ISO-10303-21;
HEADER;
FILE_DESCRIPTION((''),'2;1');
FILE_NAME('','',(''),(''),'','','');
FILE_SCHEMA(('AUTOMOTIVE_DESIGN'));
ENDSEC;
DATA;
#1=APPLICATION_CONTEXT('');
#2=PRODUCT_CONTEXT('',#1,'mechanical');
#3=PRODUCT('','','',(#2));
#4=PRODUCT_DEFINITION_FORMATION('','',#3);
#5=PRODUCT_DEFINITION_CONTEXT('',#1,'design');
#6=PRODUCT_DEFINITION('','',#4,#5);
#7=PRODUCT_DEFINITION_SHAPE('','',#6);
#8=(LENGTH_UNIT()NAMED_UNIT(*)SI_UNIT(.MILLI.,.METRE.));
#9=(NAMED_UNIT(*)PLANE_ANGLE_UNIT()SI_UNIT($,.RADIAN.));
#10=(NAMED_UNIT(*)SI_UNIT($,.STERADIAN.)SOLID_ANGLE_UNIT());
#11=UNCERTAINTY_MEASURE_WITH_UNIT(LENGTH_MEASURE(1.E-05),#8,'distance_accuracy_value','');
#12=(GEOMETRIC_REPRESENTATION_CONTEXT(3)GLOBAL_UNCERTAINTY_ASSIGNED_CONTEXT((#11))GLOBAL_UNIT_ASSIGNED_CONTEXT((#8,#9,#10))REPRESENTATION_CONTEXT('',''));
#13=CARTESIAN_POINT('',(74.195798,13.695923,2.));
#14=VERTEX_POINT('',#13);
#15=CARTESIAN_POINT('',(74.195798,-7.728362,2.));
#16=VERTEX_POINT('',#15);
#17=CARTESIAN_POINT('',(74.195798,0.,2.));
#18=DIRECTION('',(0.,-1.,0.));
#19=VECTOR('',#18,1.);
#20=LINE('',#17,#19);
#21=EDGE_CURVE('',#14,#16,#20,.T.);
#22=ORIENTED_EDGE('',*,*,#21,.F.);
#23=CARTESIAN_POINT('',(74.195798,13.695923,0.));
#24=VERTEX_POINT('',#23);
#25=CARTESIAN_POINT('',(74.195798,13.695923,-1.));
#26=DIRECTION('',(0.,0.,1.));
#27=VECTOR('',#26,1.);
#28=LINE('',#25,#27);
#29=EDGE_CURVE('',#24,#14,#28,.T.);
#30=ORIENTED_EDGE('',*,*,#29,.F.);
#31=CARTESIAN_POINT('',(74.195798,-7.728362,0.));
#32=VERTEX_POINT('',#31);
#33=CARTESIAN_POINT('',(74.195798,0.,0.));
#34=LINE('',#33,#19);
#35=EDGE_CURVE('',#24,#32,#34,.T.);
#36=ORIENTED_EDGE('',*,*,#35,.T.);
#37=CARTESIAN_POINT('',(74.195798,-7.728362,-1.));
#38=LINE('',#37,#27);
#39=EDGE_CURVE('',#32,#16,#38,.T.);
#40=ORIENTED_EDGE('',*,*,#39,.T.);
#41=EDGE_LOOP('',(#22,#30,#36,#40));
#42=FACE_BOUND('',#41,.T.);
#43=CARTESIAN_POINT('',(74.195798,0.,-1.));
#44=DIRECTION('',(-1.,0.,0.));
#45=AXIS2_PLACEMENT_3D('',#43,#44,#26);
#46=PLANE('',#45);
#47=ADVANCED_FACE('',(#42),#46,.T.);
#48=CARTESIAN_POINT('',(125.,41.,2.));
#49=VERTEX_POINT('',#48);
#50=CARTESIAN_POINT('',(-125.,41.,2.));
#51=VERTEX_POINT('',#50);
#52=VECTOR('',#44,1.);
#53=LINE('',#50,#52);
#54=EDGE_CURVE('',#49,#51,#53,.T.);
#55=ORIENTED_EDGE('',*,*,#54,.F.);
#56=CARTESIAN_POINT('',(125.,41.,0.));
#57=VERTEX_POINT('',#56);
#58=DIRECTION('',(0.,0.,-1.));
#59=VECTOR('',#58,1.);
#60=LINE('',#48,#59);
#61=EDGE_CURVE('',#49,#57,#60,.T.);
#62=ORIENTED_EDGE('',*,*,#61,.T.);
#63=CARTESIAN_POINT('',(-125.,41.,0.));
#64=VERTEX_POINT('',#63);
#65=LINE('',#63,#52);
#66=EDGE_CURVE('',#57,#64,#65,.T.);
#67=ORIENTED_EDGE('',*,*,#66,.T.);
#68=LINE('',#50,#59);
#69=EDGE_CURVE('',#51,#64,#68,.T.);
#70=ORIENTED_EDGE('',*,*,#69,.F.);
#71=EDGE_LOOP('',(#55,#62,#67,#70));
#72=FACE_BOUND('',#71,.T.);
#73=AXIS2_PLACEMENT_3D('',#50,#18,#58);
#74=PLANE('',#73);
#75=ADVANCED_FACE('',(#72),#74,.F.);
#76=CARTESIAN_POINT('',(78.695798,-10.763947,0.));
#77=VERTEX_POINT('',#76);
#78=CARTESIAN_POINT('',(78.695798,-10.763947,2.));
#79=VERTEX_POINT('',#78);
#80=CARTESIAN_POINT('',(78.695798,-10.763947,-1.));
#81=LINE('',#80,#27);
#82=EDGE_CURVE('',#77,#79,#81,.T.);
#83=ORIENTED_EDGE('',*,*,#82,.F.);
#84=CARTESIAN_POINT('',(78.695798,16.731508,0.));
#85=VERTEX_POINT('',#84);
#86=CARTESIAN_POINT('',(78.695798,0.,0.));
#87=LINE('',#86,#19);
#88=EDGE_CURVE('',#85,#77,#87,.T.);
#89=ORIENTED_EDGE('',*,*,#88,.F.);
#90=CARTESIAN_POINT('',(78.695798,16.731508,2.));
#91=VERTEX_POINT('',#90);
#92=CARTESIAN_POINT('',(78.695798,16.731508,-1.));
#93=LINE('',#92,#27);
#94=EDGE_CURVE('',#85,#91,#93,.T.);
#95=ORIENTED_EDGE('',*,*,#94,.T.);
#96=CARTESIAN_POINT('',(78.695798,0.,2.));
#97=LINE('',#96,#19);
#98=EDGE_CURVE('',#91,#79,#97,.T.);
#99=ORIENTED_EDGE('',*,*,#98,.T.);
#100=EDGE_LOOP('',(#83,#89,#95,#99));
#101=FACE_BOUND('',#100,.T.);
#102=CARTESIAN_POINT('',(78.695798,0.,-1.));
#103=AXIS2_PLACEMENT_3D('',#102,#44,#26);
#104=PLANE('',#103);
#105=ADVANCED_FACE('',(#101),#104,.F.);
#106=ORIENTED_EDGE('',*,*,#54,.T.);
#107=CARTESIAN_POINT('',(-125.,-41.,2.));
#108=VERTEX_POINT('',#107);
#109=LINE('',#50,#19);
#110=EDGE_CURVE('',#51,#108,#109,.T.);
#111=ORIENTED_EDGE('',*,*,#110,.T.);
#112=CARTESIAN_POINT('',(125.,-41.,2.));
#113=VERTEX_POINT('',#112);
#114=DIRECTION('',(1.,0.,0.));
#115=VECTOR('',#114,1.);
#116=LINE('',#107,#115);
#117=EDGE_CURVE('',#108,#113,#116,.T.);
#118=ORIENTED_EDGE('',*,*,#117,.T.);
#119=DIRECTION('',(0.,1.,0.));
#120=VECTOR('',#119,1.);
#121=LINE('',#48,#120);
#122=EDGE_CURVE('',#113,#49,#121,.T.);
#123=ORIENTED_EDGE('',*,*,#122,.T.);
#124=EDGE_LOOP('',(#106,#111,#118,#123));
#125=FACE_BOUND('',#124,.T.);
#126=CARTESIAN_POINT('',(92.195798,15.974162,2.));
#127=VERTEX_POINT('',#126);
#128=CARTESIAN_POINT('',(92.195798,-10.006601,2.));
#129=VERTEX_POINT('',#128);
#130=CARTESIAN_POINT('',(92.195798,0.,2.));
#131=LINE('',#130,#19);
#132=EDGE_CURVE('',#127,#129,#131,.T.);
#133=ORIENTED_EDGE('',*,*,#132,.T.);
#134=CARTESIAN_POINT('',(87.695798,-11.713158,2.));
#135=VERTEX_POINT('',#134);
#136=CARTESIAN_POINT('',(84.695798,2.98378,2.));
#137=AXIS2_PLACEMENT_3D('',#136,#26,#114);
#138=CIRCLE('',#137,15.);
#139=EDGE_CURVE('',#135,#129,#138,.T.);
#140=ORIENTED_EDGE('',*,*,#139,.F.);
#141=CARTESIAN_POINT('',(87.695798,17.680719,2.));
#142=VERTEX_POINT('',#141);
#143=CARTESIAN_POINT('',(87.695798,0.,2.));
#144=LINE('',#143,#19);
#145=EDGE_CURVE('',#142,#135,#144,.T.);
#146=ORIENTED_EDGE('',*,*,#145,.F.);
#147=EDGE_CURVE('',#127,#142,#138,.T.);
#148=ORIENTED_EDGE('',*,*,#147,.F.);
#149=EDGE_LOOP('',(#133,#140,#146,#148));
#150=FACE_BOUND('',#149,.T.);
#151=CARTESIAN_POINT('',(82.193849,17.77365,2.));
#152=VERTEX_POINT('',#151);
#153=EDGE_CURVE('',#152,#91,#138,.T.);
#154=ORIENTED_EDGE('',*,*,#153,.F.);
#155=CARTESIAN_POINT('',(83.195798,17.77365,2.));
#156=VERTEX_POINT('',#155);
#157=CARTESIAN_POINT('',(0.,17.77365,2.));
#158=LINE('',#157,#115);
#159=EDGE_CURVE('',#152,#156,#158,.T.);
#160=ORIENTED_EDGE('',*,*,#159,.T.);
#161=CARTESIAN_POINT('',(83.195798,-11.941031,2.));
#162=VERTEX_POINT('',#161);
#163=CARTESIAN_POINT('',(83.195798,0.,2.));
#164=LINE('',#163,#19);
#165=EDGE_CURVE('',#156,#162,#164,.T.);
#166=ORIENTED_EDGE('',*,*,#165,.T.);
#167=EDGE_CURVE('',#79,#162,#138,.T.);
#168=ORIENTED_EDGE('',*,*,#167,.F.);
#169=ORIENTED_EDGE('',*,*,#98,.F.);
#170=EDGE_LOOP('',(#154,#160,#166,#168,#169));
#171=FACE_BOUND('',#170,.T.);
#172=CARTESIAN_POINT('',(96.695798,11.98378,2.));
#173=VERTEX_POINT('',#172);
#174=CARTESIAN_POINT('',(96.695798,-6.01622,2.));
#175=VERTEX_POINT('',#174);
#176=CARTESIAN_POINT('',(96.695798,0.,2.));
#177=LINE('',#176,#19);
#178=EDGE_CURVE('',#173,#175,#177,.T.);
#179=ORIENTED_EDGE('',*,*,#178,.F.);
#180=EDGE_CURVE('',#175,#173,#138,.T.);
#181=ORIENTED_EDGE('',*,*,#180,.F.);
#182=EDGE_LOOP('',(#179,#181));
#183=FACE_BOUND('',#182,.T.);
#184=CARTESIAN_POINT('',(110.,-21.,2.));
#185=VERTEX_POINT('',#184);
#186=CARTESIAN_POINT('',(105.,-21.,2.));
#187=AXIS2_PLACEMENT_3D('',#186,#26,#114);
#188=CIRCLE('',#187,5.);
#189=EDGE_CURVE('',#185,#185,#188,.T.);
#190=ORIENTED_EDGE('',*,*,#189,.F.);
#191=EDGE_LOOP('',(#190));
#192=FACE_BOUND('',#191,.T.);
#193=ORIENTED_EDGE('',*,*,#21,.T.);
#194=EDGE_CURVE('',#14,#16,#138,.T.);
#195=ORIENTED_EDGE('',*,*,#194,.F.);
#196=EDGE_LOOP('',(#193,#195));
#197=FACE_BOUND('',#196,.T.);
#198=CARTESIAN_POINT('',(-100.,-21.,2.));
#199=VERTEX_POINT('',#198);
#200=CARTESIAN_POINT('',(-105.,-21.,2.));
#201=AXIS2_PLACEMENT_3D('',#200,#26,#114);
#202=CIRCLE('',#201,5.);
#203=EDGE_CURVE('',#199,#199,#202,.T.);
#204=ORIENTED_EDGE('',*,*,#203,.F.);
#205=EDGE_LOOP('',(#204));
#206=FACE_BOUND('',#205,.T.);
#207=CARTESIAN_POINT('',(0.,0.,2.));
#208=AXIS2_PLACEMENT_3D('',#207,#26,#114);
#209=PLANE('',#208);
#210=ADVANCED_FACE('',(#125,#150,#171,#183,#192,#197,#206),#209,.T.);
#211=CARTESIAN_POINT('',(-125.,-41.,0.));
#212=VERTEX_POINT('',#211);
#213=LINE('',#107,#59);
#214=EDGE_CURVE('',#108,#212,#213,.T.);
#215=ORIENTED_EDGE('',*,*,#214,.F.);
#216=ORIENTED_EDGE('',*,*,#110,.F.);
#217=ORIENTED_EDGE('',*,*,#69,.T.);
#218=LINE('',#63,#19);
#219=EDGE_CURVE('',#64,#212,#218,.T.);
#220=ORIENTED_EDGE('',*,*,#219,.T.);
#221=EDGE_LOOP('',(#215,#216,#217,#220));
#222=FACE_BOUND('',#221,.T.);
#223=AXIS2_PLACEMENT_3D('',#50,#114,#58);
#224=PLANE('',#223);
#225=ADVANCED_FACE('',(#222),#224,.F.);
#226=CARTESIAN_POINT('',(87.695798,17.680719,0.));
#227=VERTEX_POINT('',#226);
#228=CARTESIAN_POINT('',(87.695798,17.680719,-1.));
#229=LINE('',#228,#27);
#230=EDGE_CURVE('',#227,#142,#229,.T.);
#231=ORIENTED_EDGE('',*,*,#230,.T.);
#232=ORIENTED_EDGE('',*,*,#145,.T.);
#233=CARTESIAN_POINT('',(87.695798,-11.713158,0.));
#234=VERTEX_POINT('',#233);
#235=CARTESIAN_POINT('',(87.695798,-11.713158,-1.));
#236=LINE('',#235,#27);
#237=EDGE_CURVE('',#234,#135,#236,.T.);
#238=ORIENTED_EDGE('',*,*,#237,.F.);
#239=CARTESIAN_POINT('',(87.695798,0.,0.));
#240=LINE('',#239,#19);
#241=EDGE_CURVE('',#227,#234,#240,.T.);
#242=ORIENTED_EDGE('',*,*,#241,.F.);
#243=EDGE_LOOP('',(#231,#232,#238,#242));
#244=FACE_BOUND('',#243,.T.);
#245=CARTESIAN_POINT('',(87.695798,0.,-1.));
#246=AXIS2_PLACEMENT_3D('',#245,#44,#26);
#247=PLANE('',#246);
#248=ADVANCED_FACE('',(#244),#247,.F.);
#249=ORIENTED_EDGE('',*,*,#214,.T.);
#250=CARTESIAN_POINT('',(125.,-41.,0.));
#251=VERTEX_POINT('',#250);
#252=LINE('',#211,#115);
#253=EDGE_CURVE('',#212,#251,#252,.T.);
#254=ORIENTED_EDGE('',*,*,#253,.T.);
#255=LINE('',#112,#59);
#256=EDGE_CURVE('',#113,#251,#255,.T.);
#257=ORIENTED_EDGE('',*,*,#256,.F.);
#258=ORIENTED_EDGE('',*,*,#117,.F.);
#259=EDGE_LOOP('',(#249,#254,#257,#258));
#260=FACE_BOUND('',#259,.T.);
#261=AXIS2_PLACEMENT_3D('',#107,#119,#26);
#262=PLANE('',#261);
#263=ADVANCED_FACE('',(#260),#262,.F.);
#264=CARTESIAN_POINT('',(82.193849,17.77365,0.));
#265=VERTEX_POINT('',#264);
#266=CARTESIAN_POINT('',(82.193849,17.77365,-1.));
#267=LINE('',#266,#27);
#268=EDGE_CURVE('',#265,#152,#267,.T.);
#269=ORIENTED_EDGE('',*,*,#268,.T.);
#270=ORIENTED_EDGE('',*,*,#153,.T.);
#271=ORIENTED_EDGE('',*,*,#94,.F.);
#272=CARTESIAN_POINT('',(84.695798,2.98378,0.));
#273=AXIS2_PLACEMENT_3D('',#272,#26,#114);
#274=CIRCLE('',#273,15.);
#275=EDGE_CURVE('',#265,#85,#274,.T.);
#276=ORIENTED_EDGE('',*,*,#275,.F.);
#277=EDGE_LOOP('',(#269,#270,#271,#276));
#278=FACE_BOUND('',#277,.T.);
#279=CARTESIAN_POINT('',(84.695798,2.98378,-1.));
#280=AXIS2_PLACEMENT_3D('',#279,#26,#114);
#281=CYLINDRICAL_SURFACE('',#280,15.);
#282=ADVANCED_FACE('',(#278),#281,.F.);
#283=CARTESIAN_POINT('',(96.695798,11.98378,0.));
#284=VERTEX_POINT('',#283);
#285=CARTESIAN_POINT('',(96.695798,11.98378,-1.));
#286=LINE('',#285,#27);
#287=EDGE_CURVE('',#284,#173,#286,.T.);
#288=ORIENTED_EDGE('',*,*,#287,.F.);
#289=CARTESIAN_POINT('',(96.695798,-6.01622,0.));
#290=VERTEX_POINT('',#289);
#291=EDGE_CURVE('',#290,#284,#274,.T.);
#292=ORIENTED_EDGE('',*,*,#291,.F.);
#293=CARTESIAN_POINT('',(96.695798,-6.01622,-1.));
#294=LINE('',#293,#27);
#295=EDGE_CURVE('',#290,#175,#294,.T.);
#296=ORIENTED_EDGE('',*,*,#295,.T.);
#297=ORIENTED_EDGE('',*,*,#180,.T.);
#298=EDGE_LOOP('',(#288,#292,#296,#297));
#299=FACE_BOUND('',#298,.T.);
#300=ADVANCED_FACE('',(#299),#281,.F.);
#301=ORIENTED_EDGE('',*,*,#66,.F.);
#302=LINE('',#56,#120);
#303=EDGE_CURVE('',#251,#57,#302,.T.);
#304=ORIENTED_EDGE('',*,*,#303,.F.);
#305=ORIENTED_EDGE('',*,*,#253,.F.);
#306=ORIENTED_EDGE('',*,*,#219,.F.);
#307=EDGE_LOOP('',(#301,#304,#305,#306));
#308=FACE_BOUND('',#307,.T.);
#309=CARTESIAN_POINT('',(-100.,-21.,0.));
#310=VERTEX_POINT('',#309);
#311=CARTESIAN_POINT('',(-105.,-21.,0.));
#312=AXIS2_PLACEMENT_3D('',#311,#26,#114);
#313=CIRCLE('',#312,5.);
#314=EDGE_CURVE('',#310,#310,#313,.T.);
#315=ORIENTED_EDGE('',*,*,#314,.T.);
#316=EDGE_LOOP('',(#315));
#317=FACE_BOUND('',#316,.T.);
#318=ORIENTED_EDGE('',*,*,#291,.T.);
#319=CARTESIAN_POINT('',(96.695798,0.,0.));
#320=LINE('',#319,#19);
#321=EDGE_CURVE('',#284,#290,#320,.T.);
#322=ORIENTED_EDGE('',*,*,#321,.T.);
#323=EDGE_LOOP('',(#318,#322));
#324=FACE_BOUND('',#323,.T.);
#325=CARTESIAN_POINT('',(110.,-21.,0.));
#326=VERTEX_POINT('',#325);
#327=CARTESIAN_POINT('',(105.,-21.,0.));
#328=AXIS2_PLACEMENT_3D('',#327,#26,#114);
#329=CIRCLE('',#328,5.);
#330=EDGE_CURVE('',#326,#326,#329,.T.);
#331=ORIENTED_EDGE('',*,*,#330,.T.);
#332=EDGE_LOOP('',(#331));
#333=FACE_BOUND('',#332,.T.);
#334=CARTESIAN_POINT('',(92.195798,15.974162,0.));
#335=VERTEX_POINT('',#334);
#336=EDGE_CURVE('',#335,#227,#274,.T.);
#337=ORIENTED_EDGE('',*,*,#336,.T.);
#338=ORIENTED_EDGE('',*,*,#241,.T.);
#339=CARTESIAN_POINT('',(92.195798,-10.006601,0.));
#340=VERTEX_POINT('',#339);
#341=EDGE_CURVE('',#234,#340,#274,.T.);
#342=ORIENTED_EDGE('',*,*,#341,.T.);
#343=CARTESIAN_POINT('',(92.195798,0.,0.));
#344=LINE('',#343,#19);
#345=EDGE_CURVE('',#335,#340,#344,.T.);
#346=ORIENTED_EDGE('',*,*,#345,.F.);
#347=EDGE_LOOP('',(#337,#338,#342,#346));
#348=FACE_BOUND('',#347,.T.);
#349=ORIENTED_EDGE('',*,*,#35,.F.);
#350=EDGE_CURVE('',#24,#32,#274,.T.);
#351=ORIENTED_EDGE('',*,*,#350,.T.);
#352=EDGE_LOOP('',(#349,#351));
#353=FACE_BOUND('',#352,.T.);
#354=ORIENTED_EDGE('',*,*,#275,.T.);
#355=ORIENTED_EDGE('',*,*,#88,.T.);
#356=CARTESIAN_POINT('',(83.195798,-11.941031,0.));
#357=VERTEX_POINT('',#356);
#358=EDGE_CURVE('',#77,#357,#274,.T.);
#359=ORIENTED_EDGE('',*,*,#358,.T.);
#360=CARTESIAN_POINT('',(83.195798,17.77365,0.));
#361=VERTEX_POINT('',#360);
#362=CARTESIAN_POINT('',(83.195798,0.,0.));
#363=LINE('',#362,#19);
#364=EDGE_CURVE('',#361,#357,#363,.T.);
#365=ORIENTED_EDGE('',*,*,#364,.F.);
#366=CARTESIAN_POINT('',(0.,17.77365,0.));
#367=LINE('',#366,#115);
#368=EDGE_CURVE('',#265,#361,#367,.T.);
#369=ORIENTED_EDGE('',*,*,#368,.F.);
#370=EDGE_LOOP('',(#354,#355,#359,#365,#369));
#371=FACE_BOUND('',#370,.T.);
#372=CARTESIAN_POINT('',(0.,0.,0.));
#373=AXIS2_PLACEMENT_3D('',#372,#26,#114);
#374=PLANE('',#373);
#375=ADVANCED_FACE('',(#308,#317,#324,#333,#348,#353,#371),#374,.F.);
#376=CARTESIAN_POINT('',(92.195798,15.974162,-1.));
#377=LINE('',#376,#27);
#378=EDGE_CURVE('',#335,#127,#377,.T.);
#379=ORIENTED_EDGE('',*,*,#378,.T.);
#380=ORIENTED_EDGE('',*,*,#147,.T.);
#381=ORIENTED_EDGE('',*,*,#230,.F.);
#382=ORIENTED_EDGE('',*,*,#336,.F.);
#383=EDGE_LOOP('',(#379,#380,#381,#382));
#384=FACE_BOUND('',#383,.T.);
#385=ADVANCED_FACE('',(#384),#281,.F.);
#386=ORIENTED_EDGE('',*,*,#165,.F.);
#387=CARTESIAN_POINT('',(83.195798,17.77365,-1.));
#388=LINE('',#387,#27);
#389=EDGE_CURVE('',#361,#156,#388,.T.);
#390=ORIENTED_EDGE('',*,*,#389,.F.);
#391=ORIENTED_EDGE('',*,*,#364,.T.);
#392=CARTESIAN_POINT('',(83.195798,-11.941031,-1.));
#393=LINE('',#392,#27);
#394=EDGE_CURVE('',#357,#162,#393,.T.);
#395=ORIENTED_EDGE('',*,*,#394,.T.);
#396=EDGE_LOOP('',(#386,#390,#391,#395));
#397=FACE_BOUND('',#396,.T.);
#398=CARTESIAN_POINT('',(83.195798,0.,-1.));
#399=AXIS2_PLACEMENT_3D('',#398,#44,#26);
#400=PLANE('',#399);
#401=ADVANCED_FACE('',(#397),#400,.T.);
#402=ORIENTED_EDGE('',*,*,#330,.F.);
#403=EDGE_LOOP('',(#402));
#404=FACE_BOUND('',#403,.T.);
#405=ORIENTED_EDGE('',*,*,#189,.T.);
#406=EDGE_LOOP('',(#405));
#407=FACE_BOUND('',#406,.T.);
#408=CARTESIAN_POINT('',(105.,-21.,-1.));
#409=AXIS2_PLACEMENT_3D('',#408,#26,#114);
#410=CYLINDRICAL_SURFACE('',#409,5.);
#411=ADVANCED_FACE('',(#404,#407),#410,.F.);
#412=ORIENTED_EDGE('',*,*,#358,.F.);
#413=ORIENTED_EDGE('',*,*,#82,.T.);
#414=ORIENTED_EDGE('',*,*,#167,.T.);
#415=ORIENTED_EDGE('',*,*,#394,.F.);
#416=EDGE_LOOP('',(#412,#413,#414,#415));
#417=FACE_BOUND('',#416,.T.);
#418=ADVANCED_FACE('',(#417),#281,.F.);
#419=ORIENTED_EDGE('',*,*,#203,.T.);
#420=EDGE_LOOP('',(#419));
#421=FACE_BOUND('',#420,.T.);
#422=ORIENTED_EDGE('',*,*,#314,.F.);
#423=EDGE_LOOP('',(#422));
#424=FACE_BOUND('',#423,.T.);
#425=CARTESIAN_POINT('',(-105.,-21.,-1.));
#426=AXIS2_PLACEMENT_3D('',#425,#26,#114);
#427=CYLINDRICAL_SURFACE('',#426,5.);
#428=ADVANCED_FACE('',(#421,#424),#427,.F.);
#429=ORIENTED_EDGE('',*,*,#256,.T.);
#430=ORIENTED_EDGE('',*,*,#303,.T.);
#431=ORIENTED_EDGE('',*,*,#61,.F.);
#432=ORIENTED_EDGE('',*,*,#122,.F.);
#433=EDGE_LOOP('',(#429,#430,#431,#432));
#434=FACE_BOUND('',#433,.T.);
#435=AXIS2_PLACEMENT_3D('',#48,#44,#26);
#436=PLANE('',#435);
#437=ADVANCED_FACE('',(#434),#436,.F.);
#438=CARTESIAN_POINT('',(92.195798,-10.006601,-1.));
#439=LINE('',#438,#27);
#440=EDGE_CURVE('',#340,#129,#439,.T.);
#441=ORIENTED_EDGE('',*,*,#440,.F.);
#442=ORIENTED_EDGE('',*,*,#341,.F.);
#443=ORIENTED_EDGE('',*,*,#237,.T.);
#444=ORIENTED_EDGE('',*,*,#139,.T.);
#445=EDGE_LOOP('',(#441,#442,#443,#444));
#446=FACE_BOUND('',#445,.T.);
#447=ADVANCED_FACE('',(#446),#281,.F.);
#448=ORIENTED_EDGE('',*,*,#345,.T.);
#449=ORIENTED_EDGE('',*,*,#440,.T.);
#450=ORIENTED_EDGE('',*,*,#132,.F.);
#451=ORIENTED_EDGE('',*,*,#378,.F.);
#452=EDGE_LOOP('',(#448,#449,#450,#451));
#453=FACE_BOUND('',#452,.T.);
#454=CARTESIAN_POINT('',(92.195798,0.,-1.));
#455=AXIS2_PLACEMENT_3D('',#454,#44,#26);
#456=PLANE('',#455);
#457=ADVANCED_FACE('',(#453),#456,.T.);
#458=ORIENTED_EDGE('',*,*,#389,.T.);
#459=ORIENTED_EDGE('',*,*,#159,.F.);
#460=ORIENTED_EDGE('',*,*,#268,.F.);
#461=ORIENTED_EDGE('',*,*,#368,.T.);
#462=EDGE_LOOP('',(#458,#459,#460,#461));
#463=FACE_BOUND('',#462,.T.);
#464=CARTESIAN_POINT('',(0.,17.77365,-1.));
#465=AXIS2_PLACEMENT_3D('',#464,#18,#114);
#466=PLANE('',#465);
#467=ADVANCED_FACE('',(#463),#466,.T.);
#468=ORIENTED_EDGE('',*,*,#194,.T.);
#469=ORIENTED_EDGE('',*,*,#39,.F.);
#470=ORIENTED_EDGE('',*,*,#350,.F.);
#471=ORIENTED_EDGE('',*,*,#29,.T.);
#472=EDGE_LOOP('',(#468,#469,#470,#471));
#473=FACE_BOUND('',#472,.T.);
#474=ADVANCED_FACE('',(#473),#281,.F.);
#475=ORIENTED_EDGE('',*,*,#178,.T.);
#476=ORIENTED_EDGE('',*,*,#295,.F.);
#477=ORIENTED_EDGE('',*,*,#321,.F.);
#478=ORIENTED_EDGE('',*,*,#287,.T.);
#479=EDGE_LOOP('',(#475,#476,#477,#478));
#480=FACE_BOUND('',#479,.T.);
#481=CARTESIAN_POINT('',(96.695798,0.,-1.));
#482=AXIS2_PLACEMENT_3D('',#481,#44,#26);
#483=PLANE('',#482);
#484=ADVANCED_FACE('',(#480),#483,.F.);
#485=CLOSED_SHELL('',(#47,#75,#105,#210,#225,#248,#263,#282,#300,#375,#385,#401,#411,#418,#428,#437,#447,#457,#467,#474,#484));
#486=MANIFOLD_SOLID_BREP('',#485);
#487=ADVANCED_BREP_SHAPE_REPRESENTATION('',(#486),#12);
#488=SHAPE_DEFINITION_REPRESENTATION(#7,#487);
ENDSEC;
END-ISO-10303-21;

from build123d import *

# Parameters (mm, degrees)
SKETCH1_W           = 250
SKETCH1_H           = 82
BOSS_EXTRUDE1_DEPTH = 2
CUT_EXTRUDE1_DEPTH  = 3
SKETCH3_R           = 5
CUT_EXTRUDE2_DEPTH  = 3


with BuildPart() as part:
    # Sketch1 → Boss-Extrude1 (new body)
    with BuildSketch(Plane.XY):
        Rectangle(SKETCH1_W, SKETCH1_H)
    extrude(amount=BOSS_EXTRUDE1_DEPTH)

    # Sketch2 → Cut-Extrude1 (cut)
    with BuildSketch(Plane.XY.offset(2)):
        with BuildLine():
            ThreePointArc((74.195797737, 13.695923098), (70.866481051, 8.793255475), (69.695797737, 2.983780456))
            ThreePointArc((69.695797737, 2.983780456), (70.866481051, -2.825694564), (74.195797737, -7.728362187))
            Line((74.195797737, -7.728362187), (74.195797737, 13.695923098))
        make_face()
        with BuildLine():
            Line((83.195797737, 17.773650373), (82.193848931, 17.773650373))
            ThreePointArc((82.193848931, 17.773650373), (80.413006732, 17.359374398), (78.695797737, 16.73150754))
            Line((78.695797737, 16.73150754), (78.695797737, -10.763946629))
            ThreePointArc((78.695797737, -10.763946629), (80.899894424, -11.527977468), (83.195797737, -11.941031101))
            Line((83.195797737, -11.941031101), (83.195797737, 17.773650373))
        make_face()
        with BuildLine():
            ThreePointArc((92.195797737, 15.974161512), (90.014687146, 17.009093837), (87.695797737, 17.680718912))
            Line((87.695797737, 17.680718912), (87.695797737, -11.713158001))
            ThreePointArc((87.695797737, -11.713158001), (90.014687146, -11.041532926), (92.195797737, -10.006600601))
            Line((92.195797737, -10.006600601), (92.195797737, 15.974161512))
        make_face()
        with BuildLine():
            ThreePointArc((99.695797737, 2.983780456), (98.926047208, 7.727196946), (96.695797737, 11.983780456))
            Line((96.695797737, 11.983780456), (96.695797737, -6.016219544))
            ThreePointArc((96.695797737, -6.016219544), (98.926047208, -1.759636035), (99.695797737, 2.983780456))
        make_face()
    extrude(amount=-CUT_EXTRUDE1_DEPTH, mode=Mode.SUBTRACT)

    # Sketch3 → Cut-Extrude2 (cut)
    with BuildSketch(Plane.XY.offset(2)):
        with Locations((-105, -21)):
            Circle(SKETCH3_R)
        with Locations((105, -21)):
            Circle(SKETCH3_R)
    extrude(amount=-CUT_EXTRUDE2_DEPTH, mode=Mode.SUBTRACT)


solid = part.part
